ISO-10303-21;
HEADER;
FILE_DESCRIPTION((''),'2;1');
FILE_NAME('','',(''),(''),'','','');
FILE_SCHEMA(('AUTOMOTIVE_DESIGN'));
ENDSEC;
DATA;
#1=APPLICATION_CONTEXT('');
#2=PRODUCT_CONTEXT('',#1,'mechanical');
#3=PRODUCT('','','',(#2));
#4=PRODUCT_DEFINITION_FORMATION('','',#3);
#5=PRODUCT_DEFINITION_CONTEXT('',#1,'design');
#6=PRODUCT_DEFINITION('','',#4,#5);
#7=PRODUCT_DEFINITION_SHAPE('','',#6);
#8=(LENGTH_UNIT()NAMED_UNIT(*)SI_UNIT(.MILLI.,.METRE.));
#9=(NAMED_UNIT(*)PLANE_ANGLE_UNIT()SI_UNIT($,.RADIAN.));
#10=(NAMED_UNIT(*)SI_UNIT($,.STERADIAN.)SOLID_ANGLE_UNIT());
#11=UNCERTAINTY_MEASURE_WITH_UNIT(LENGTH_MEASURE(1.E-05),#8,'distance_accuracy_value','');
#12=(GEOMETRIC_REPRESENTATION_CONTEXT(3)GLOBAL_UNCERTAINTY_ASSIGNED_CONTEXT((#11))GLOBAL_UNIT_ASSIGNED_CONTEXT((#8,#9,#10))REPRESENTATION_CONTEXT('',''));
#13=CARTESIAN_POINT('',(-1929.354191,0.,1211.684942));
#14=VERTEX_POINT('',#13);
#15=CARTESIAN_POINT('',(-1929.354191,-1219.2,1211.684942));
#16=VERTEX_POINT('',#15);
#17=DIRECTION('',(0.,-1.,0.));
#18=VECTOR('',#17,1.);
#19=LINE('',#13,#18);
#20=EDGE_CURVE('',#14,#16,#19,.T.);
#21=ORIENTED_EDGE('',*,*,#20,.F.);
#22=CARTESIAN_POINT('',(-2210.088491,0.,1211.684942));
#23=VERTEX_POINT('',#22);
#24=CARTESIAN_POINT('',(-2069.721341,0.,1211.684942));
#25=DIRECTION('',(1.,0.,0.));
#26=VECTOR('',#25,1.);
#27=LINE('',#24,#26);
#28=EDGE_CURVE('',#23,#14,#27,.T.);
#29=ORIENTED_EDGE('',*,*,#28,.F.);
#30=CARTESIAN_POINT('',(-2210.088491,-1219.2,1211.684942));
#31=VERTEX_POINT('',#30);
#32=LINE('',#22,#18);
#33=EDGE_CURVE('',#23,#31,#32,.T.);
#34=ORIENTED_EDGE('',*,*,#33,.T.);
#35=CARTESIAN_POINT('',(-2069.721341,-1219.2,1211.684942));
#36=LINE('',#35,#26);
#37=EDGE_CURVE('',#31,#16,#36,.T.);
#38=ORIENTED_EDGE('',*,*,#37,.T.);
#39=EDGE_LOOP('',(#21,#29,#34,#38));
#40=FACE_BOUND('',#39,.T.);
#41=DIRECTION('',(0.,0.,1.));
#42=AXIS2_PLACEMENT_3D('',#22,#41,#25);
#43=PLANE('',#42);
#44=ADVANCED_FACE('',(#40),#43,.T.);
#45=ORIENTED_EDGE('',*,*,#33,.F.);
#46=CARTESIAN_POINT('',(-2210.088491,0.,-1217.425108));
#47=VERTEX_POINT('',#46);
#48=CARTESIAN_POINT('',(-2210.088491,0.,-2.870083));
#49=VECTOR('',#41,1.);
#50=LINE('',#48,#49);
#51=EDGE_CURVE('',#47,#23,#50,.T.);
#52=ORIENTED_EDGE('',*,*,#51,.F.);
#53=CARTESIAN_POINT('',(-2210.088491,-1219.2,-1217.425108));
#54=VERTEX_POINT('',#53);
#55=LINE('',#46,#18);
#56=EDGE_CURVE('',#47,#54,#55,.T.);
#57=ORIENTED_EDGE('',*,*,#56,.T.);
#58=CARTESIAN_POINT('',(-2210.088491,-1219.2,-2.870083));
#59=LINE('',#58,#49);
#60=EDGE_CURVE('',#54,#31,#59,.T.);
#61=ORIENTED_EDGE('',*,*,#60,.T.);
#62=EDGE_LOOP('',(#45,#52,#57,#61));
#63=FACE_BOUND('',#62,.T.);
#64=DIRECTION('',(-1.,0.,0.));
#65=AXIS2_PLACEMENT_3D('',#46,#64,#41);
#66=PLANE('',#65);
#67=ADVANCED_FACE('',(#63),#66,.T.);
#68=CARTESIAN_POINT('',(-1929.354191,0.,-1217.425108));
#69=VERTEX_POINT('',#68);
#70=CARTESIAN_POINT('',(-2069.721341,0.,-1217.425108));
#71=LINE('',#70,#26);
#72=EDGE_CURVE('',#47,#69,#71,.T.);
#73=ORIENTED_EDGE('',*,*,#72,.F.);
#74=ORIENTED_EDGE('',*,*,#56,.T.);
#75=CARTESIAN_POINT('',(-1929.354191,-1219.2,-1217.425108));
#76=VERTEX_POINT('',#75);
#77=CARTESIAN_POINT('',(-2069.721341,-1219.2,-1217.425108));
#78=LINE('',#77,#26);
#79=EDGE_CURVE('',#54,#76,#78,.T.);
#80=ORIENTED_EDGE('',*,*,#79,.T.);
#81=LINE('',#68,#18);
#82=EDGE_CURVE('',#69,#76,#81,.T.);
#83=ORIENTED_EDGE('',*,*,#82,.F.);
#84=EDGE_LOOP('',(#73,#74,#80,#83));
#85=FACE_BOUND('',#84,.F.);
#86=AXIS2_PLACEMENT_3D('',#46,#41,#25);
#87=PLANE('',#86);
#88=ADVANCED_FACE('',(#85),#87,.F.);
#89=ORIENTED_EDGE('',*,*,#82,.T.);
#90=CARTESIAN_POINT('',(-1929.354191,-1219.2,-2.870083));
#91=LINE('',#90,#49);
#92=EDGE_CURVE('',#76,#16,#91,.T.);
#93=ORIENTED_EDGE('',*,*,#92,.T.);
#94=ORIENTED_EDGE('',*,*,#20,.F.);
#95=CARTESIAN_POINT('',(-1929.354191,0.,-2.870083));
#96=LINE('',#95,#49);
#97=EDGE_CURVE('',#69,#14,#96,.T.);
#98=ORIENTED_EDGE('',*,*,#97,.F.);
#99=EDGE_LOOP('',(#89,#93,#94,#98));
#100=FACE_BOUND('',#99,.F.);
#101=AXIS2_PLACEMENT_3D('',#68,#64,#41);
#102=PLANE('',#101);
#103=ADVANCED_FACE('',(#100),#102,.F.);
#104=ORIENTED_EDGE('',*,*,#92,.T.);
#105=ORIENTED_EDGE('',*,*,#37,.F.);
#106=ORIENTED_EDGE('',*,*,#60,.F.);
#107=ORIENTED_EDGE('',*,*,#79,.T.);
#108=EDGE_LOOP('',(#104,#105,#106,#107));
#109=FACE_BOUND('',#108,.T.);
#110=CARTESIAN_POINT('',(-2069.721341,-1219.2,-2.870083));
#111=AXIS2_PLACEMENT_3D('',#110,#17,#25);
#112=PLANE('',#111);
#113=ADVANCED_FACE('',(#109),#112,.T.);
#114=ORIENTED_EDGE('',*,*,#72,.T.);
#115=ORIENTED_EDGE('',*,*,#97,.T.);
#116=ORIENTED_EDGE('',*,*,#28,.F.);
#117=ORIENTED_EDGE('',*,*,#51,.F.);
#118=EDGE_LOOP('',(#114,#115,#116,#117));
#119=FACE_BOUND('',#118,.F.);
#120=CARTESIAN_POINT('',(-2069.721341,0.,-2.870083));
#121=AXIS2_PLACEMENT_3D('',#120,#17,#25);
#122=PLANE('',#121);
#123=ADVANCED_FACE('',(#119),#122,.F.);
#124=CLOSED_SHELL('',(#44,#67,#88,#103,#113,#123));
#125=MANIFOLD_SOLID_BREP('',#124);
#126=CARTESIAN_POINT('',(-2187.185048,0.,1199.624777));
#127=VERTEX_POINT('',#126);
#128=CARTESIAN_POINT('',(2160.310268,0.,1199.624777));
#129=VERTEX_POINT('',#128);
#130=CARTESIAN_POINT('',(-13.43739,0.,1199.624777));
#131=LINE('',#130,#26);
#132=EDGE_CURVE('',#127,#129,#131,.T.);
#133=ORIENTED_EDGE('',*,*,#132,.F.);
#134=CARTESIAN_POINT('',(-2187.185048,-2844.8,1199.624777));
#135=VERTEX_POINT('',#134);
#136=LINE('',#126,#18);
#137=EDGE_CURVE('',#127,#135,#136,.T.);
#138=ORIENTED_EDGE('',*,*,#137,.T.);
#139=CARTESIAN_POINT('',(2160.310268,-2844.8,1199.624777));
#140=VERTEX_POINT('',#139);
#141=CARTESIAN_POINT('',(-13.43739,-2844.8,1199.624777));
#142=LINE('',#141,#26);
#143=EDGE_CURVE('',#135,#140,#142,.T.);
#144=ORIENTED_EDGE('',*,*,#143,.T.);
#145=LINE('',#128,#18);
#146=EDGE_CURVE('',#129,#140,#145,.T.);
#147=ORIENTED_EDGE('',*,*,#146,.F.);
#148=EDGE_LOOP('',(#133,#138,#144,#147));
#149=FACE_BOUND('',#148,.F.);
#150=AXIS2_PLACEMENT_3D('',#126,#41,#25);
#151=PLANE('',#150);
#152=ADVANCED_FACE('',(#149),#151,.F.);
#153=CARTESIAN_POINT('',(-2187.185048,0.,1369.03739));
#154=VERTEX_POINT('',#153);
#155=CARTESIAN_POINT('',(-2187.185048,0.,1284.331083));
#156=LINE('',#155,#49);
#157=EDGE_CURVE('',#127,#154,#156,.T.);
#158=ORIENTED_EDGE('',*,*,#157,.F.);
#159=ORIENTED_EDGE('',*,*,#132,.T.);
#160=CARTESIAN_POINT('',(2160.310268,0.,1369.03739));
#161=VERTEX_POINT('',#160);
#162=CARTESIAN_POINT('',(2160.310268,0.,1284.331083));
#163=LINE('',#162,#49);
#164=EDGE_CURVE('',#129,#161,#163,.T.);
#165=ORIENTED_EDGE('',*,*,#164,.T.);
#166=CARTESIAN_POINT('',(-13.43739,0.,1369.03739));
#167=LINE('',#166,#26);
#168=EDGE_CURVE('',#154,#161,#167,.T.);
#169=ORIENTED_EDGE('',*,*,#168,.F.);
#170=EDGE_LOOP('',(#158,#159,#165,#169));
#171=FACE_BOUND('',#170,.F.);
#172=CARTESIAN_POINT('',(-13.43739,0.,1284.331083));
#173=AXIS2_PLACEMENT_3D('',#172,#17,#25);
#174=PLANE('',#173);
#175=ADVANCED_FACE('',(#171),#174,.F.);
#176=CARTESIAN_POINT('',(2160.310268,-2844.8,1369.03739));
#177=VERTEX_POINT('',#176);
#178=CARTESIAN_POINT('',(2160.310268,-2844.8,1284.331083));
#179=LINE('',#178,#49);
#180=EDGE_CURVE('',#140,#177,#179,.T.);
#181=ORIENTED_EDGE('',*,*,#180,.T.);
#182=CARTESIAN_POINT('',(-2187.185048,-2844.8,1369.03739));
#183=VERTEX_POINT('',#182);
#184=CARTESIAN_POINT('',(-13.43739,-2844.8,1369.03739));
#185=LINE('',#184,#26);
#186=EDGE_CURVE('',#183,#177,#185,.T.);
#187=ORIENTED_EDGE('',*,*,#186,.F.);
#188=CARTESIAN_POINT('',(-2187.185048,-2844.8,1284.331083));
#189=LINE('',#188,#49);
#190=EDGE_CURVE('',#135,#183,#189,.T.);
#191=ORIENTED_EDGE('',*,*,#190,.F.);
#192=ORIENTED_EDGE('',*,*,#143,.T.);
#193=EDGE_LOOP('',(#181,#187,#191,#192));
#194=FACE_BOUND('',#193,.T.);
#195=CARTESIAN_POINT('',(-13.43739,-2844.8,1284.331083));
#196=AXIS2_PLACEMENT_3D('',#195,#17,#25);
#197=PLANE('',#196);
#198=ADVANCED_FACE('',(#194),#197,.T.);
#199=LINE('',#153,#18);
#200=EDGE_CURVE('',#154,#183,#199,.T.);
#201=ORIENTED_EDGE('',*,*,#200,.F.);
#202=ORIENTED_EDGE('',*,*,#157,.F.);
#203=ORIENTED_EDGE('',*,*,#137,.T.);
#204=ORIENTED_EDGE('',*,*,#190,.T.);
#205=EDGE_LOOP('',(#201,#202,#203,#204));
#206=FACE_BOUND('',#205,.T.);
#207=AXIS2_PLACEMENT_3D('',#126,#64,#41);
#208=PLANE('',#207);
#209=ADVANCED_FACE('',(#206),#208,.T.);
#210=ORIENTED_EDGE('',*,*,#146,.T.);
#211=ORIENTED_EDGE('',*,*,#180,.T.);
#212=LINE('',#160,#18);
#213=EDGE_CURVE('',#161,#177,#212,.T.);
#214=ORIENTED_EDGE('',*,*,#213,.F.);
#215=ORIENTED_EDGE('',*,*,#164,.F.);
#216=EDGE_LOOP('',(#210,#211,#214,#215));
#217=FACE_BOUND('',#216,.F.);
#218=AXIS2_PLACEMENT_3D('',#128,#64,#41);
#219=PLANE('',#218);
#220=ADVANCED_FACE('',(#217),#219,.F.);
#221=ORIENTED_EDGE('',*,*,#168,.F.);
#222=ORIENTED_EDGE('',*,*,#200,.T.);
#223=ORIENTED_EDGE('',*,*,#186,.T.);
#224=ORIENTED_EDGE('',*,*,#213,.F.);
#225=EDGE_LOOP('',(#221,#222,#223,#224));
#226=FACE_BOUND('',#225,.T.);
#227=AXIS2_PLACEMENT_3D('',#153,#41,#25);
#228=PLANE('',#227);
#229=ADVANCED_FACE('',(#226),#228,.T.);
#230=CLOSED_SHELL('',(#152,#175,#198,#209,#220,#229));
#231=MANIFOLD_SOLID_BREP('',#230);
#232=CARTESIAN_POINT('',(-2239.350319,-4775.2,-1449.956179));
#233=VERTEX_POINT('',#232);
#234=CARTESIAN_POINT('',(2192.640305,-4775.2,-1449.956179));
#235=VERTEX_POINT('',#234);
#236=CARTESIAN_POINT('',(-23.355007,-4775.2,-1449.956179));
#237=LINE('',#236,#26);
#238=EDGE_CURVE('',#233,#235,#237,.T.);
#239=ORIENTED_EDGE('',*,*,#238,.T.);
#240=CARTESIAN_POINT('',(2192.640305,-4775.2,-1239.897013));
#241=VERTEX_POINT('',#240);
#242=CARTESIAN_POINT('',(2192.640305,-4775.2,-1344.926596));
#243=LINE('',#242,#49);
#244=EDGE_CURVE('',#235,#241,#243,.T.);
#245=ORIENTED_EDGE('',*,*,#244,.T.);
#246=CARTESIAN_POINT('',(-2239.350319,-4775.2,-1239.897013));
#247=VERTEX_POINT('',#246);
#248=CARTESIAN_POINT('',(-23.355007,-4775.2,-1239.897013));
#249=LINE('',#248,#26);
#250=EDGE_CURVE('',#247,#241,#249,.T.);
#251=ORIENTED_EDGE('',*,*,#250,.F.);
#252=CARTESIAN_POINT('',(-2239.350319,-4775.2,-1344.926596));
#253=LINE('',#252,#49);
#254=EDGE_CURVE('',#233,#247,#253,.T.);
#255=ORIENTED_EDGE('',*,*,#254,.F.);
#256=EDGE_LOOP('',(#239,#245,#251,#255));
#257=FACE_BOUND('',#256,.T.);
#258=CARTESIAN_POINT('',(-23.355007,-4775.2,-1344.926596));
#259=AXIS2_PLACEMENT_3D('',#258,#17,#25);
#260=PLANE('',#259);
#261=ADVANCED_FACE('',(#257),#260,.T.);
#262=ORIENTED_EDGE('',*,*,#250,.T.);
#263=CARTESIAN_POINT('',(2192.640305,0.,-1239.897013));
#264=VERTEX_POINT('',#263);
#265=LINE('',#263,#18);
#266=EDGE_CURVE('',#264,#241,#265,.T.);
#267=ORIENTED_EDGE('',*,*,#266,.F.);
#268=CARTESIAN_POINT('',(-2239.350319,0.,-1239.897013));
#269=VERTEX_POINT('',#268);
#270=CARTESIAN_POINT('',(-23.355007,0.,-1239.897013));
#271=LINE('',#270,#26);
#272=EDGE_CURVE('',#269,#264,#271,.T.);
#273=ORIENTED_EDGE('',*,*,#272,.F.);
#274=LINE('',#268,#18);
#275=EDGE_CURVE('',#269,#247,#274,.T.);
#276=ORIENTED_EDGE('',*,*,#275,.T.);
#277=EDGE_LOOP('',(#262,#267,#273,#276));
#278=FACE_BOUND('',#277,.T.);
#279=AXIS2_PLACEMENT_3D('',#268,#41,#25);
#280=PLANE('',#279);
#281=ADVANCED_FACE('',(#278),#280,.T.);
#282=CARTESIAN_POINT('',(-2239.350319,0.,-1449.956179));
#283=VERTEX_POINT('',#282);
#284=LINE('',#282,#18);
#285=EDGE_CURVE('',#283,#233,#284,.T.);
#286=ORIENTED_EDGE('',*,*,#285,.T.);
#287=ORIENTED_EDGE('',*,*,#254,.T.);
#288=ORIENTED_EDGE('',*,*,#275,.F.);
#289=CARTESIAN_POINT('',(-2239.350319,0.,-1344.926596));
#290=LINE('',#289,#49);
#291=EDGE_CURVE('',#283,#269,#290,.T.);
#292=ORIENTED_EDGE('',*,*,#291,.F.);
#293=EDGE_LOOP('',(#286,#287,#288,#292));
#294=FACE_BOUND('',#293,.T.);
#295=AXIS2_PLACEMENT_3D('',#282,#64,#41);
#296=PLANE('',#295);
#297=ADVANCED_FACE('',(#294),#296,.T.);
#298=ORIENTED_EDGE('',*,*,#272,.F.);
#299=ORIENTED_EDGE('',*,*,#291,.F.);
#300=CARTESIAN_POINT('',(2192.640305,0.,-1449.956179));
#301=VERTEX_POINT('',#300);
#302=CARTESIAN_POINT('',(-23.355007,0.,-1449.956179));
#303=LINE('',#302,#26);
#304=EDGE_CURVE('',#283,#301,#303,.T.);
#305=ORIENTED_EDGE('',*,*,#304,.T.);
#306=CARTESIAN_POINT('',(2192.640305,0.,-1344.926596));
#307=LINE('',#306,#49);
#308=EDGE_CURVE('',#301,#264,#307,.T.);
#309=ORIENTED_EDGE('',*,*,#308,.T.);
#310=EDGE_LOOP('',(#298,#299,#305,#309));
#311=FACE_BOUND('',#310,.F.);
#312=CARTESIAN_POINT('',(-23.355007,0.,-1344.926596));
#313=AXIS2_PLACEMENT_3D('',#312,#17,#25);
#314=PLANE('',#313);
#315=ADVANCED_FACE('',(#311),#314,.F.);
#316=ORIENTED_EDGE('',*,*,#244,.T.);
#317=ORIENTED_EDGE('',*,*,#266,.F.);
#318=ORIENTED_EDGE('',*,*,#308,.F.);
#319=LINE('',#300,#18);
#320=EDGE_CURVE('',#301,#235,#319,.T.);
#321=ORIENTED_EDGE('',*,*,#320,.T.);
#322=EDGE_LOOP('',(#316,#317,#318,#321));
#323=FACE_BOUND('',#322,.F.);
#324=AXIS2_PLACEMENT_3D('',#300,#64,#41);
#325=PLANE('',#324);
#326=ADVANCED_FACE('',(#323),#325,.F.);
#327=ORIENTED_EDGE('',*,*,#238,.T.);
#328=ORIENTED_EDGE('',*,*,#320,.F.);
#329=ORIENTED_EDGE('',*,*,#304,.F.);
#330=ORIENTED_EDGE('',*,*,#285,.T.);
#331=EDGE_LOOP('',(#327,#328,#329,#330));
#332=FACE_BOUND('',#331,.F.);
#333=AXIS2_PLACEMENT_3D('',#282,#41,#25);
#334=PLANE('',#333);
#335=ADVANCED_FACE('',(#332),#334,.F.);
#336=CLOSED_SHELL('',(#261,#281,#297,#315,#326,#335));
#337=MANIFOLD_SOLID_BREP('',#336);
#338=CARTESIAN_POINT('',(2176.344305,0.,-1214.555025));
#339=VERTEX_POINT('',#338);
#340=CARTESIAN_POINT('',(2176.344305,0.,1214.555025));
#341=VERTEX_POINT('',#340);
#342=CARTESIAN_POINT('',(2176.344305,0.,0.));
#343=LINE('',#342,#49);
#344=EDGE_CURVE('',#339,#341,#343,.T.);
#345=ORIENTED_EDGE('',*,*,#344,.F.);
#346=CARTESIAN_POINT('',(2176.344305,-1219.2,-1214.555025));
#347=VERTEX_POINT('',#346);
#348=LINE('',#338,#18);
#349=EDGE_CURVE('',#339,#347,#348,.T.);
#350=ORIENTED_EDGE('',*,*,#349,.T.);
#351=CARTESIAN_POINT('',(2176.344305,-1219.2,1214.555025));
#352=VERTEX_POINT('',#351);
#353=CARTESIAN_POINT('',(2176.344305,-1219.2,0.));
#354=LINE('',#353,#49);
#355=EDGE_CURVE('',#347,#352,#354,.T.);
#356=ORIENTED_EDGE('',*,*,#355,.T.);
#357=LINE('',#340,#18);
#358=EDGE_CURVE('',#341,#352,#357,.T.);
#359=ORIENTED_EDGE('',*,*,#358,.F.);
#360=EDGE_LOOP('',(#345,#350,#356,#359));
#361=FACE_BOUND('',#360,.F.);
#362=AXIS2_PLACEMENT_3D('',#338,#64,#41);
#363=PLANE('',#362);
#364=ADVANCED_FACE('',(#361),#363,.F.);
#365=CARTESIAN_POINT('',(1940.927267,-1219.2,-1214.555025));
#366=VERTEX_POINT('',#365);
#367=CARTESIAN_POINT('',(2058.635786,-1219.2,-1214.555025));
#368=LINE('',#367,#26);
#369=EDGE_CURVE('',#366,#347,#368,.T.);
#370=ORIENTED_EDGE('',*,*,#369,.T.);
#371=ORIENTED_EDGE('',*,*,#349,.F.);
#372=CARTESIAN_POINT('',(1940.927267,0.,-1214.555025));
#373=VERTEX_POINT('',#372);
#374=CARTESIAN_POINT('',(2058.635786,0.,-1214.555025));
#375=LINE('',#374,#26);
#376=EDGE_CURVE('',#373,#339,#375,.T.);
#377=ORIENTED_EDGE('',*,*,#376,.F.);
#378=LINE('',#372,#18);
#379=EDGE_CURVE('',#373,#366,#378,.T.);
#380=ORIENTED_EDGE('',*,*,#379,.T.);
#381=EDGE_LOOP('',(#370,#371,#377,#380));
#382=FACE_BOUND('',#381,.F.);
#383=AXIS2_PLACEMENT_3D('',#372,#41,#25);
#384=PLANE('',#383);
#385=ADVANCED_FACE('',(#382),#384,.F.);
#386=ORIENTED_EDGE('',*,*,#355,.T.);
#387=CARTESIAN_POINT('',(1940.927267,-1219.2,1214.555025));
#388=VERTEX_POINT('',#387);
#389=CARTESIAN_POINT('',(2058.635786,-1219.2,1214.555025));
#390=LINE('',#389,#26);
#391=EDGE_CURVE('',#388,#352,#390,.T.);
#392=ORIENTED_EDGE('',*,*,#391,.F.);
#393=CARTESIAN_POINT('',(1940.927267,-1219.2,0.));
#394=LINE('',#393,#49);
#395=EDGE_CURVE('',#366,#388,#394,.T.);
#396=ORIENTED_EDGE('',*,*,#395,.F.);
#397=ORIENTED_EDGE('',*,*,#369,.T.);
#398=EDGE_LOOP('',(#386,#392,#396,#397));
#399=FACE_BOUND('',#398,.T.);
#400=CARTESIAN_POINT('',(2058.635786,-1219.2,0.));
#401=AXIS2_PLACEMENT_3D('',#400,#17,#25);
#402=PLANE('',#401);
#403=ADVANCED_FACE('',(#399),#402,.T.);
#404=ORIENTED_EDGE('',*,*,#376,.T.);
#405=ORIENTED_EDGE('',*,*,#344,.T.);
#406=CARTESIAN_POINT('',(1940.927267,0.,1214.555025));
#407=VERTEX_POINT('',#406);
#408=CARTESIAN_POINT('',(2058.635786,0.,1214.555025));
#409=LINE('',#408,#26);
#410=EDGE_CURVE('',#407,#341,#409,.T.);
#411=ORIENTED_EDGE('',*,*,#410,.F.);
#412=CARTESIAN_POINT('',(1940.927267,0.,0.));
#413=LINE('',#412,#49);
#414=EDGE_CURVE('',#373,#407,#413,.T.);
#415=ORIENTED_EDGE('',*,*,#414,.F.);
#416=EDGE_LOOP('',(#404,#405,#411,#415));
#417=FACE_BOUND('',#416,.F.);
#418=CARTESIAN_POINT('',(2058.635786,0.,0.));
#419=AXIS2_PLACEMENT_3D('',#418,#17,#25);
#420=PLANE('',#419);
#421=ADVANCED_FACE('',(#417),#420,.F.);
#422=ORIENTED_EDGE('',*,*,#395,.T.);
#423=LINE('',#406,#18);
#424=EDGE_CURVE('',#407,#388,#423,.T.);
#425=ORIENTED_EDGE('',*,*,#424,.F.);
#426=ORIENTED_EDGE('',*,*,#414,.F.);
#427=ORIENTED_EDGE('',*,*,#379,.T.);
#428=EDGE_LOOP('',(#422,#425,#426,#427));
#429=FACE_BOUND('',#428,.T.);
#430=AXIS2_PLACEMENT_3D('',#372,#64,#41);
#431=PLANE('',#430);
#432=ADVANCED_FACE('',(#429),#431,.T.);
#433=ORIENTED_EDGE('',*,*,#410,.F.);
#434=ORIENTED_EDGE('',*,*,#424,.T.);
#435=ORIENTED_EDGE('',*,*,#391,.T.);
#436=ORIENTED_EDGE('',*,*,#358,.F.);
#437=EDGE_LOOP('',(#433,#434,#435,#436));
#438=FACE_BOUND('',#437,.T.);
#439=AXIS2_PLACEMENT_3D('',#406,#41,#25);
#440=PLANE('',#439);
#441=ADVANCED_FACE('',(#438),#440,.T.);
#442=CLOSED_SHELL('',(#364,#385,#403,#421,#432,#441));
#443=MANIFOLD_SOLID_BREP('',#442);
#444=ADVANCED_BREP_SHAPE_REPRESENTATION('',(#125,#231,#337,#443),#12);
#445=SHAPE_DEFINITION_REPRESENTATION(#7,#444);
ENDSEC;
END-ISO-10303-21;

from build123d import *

# Parameters (mm, degrees)
F0_W     = 280.7343
F0_H     = 2429.11005
F0_W_2   = 235.417038
F1_DEPTH = 1219.2
F2_W     = 4347.495317
F2_H     = 169.412613
F3_DEPTH = 2844.8
F4_W     = 4431.990624
F4_H     = 210.059166
F5_DEPTH = 4775.2


with BuildPart() as f1:
    # F0 (on Front) → F1 (new body)
    with BuildSketch(Plane.XZ):
        with Locations((-2069.721341, -2.870083)):
            Rectangle(F0_W, F0_H)
        with Locations((2058.635786, 0)):
            Rectangle(F0_W_2, F0_H)
    extrude(amount=F1_DEPTH)


with BuildPart() as f3:
    # F2 (on Front) → F3 (new body)
    with BuildSketch(Plane.XZ):
        with Locations((-13.43739, 1284.331083)):
            Rectangle(F2_W, F2_H)
    extrude(amount=F3_DEPTH)


with BuildPart() as f5:
    # F4 (on Front) → F5 (new body)
    with BuildSketch(Plane.XZ):
        with Locations((-23.355007, -1344.926596)):
            Rectangle(F4_W, F4_H)
    extrude(amount=F5_DEPTH)


solid = Compound([f1.part, f3.part, f5.part])
